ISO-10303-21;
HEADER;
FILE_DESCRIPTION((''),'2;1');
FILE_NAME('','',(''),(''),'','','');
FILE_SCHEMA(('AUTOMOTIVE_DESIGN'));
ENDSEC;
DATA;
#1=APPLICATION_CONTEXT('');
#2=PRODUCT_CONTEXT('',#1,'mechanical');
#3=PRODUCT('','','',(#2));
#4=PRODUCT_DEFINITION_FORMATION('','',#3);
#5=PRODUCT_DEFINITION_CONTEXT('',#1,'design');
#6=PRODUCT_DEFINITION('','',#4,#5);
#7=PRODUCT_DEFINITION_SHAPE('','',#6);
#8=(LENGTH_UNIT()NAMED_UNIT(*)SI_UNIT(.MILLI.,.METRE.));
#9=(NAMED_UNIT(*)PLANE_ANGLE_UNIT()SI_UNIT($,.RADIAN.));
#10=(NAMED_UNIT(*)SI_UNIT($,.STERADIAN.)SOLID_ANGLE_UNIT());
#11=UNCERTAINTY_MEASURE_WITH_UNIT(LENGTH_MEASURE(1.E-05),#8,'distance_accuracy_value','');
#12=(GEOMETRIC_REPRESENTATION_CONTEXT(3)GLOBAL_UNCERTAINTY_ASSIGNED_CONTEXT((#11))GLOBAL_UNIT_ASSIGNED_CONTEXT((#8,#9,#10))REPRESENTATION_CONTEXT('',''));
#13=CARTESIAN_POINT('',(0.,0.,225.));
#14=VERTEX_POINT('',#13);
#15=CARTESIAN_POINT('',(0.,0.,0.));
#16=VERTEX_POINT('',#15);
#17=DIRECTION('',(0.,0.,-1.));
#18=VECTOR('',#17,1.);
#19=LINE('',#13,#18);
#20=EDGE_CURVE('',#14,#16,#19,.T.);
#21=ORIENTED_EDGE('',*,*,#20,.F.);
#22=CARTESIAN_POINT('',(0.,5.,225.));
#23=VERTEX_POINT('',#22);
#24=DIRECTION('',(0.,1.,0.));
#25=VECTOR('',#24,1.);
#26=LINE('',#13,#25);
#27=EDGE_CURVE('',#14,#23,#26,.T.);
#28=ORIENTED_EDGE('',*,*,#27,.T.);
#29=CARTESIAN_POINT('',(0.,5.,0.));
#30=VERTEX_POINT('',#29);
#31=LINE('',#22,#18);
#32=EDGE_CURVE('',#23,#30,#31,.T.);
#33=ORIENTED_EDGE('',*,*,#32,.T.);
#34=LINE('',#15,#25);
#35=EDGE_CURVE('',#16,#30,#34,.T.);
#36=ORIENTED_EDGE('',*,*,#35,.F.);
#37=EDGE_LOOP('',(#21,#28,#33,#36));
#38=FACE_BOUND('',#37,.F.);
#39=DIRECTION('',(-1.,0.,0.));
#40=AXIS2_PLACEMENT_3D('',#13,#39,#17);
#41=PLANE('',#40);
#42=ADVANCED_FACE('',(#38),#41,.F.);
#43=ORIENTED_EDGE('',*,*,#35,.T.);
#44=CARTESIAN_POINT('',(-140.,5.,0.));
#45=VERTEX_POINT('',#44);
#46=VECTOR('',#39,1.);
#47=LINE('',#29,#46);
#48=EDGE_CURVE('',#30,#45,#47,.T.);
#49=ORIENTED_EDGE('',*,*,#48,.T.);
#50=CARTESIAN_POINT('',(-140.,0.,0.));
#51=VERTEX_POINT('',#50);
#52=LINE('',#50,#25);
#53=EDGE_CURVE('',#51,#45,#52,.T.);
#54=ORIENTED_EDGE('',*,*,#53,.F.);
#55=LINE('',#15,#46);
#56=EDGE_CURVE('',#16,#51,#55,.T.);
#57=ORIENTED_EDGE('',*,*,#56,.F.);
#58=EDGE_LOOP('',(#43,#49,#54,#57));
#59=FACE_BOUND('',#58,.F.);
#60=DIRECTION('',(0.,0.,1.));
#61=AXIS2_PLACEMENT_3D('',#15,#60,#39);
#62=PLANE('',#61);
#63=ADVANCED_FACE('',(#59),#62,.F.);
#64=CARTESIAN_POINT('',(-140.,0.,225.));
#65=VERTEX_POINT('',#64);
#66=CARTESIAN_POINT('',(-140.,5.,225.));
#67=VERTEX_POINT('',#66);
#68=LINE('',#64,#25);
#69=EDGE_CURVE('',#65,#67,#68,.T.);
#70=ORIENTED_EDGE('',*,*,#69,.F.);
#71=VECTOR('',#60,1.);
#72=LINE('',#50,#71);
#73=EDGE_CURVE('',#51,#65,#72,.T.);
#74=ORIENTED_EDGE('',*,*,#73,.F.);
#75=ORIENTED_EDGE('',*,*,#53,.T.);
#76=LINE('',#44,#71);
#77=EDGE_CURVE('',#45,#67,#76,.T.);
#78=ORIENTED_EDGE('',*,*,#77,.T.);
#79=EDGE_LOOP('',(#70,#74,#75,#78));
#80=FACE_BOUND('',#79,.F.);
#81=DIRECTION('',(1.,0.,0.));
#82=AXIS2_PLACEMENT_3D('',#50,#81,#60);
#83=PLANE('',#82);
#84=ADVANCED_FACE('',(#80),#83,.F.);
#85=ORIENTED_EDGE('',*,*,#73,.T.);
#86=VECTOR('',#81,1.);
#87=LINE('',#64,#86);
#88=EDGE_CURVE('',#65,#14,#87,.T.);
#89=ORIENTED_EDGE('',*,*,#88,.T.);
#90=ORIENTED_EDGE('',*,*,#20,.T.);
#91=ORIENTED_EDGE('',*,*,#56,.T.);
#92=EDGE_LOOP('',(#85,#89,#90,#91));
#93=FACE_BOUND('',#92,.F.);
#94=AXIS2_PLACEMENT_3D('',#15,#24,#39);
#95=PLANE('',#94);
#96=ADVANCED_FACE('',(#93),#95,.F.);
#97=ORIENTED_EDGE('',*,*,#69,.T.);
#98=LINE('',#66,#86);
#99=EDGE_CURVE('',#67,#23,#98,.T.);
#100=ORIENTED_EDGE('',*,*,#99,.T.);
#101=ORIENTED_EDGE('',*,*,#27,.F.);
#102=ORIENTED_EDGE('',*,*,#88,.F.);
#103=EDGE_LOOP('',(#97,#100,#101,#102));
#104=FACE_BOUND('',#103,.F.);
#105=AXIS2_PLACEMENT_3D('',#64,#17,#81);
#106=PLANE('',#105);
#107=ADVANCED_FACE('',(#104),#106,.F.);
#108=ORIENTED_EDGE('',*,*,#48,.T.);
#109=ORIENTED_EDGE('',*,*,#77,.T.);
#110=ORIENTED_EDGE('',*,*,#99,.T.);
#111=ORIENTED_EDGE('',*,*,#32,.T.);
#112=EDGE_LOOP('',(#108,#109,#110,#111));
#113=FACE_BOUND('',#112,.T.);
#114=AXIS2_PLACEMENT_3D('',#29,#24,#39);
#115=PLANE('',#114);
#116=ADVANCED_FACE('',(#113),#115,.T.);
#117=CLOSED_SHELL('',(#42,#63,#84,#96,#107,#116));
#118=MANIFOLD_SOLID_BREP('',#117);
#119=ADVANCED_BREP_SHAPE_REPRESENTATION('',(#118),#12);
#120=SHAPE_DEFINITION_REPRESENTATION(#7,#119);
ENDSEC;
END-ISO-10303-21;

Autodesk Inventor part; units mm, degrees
ref_plane "YZ Plane" through (0, 0, 0) normal (1, 0, 0) x (0, 1, 0)
ref_plane "XZ Plane" through (0, 0, 0) normal (0, 1, 0) x (-1, 0, 0)
ref_plane "XY Plane" through (0, 0, 0) normal (0, 0, 1) x (1, 0, 0)
sketch "Sketch1" plane through (0, 0, 0) normal (0, 1, 0) x (-1, 0, 0)
  line L0 (0, 0) -> (140, 0)
  line L1 (140, 0) -> (140, 225)
  line L2 (140, 225) -> (0, 225)
  line L3 (0, 225) -> (0, 0)
  dimension "d0" = 140
  dimension "d1" = 225
extrude "Extrusion1" add sketch "Sketch1" along normal blind 5
properties part number "Print_BottemPlate" material "Birch"
